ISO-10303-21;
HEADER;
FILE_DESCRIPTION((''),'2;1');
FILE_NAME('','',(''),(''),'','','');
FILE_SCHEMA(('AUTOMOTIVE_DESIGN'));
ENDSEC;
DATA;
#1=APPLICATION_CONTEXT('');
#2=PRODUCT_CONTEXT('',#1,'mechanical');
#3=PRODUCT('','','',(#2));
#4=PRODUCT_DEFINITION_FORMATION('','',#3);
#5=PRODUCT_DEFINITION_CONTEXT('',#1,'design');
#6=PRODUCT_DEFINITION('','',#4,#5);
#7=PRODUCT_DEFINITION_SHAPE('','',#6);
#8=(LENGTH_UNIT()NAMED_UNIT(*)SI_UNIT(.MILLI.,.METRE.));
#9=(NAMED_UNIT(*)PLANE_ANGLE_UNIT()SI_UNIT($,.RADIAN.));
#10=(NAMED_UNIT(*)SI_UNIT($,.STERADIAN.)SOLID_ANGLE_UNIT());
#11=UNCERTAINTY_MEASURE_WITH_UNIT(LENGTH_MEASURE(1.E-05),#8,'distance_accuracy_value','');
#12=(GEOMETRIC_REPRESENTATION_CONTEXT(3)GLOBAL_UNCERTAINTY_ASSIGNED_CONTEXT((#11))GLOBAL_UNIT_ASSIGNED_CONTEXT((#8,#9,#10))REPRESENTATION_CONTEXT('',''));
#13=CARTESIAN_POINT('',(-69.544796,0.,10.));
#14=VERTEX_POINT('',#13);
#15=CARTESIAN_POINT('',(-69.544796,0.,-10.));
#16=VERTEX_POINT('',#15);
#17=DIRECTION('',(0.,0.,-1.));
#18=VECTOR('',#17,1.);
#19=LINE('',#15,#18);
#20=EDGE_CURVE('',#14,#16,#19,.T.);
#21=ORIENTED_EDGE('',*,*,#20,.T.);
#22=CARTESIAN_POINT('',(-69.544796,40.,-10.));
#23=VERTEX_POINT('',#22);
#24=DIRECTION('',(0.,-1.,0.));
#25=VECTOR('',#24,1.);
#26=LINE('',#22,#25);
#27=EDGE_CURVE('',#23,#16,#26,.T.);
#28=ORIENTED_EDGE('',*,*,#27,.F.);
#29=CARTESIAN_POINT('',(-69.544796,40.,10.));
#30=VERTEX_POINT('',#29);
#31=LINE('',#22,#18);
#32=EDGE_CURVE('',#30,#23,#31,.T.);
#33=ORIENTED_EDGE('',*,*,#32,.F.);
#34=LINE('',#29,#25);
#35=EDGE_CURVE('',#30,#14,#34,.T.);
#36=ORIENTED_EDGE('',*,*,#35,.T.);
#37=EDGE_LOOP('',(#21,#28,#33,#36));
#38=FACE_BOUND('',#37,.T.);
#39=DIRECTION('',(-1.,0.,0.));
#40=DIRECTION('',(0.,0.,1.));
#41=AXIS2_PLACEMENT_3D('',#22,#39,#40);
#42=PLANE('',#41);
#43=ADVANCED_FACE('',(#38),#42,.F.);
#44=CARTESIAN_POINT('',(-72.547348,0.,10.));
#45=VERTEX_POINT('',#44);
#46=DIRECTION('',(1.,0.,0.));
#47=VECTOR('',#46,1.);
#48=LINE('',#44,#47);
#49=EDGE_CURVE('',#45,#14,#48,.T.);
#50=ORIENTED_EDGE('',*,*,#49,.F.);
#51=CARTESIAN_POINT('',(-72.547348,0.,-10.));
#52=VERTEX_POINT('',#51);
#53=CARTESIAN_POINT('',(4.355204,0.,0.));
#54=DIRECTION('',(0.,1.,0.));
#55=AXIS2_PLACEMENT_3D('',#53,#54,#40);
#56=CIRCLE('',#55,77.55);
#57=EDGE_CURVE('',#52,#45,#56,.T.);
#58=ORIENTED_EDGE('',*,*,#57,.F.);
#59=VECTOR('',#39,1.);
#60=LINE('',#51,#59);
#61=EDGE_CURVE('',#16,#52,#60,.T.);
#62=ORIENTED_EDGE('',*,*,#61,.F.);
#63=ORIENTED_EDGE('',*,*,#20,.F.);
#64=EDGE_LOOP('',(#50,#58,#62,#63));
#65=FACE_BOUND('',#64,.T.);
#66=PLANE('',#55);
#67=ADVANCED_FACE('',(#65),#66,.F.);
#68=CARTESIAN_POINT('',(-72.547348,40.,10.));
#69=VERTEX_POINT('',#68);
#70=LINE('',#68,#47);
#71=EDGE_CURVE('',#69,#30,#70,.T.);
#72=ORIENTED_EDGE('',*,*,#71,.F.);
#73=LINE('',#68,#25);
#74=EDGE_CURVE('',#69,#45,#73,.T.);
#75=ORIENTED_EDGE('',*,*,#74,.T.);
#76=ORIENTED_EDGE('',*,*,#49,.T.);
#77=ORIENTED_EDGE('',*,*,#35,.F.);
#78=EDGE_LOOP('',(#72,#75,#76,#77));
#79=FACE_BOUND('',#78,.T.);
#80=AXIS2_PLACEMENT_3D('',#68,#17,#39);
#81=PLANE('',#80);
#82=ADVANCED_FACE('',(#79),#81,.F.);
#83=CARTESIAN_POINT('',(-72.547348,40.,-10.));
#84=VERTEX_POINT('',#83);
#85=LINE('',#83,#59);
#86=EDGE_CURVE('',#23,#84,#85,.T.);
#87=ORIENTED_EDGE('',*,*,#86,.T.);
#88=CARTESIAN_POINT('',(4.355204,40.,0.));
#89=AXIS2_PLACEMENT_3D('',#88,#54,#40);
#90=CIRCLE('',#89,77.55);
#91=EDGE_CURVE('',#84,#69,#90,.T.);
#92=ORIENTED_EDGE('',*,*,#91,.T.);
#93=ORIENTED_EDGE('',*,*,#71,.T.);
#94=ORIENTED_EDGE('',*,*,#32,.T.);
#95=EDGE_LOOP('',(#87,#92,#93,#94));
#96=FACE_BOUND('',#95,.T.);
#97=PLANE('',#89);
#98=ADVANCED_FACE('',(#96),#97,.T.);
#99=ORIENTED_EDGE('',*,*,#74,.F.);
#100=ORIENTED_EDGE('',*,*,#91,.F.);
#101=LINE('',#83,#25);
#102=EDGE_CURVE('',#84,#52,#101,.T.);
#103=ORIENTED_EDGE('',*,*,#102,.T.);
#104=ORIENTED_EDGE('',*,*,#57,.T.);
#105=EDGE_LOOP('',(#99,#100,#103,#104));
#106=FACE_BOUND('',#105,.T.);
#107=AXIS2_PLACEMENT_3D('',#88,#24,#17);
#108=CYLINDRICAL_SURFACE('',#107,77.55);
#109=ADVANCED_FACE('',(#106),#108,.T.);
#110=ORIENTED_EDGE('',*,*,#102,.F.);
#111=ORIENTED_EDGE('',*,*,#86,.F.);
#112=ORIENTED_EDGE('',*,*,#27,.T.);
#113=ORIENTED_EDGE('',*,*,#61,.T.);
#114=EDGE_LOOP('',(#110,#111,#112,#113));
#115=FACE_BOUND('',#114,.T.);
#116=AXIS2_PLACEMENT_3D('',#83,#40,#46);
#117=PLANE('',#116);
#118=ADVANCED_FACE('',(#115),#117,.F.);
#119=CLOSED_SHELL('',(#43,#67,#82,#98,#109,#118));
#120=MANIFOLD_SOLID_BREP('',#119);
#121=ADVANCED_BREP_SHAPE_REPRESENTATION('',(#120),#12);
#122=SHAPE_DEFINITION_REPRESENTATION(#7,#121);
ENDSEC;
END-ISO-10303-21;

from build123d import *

# Parameters (mm, degrees)
EXTRUDE_1_DEPTH = 40


with BuildPart() as part:
    # 草图1 → 凸台-拉伸1 (new body)
    with BuildSketch(Plane(origin=(0, 0, 0), x_dir=(1, 0, 0), z_dir=(0, 1, 0))):
        with BuildLine():
            Line((-72.547347638, 10), (-69.544795665, 10))
            Line((-69.544795665, 10), (-69.544795665, -10))
            Line((-69.544795665, -10), (-72.547347638, -10))
            ThreePointArc((-72.547347638, -10), (-73.194795665, 0), (-72.547347638, 10))
        make_face()
    extrude(amount=EXTRUDE_1_DEPTH)


solid = part.part
